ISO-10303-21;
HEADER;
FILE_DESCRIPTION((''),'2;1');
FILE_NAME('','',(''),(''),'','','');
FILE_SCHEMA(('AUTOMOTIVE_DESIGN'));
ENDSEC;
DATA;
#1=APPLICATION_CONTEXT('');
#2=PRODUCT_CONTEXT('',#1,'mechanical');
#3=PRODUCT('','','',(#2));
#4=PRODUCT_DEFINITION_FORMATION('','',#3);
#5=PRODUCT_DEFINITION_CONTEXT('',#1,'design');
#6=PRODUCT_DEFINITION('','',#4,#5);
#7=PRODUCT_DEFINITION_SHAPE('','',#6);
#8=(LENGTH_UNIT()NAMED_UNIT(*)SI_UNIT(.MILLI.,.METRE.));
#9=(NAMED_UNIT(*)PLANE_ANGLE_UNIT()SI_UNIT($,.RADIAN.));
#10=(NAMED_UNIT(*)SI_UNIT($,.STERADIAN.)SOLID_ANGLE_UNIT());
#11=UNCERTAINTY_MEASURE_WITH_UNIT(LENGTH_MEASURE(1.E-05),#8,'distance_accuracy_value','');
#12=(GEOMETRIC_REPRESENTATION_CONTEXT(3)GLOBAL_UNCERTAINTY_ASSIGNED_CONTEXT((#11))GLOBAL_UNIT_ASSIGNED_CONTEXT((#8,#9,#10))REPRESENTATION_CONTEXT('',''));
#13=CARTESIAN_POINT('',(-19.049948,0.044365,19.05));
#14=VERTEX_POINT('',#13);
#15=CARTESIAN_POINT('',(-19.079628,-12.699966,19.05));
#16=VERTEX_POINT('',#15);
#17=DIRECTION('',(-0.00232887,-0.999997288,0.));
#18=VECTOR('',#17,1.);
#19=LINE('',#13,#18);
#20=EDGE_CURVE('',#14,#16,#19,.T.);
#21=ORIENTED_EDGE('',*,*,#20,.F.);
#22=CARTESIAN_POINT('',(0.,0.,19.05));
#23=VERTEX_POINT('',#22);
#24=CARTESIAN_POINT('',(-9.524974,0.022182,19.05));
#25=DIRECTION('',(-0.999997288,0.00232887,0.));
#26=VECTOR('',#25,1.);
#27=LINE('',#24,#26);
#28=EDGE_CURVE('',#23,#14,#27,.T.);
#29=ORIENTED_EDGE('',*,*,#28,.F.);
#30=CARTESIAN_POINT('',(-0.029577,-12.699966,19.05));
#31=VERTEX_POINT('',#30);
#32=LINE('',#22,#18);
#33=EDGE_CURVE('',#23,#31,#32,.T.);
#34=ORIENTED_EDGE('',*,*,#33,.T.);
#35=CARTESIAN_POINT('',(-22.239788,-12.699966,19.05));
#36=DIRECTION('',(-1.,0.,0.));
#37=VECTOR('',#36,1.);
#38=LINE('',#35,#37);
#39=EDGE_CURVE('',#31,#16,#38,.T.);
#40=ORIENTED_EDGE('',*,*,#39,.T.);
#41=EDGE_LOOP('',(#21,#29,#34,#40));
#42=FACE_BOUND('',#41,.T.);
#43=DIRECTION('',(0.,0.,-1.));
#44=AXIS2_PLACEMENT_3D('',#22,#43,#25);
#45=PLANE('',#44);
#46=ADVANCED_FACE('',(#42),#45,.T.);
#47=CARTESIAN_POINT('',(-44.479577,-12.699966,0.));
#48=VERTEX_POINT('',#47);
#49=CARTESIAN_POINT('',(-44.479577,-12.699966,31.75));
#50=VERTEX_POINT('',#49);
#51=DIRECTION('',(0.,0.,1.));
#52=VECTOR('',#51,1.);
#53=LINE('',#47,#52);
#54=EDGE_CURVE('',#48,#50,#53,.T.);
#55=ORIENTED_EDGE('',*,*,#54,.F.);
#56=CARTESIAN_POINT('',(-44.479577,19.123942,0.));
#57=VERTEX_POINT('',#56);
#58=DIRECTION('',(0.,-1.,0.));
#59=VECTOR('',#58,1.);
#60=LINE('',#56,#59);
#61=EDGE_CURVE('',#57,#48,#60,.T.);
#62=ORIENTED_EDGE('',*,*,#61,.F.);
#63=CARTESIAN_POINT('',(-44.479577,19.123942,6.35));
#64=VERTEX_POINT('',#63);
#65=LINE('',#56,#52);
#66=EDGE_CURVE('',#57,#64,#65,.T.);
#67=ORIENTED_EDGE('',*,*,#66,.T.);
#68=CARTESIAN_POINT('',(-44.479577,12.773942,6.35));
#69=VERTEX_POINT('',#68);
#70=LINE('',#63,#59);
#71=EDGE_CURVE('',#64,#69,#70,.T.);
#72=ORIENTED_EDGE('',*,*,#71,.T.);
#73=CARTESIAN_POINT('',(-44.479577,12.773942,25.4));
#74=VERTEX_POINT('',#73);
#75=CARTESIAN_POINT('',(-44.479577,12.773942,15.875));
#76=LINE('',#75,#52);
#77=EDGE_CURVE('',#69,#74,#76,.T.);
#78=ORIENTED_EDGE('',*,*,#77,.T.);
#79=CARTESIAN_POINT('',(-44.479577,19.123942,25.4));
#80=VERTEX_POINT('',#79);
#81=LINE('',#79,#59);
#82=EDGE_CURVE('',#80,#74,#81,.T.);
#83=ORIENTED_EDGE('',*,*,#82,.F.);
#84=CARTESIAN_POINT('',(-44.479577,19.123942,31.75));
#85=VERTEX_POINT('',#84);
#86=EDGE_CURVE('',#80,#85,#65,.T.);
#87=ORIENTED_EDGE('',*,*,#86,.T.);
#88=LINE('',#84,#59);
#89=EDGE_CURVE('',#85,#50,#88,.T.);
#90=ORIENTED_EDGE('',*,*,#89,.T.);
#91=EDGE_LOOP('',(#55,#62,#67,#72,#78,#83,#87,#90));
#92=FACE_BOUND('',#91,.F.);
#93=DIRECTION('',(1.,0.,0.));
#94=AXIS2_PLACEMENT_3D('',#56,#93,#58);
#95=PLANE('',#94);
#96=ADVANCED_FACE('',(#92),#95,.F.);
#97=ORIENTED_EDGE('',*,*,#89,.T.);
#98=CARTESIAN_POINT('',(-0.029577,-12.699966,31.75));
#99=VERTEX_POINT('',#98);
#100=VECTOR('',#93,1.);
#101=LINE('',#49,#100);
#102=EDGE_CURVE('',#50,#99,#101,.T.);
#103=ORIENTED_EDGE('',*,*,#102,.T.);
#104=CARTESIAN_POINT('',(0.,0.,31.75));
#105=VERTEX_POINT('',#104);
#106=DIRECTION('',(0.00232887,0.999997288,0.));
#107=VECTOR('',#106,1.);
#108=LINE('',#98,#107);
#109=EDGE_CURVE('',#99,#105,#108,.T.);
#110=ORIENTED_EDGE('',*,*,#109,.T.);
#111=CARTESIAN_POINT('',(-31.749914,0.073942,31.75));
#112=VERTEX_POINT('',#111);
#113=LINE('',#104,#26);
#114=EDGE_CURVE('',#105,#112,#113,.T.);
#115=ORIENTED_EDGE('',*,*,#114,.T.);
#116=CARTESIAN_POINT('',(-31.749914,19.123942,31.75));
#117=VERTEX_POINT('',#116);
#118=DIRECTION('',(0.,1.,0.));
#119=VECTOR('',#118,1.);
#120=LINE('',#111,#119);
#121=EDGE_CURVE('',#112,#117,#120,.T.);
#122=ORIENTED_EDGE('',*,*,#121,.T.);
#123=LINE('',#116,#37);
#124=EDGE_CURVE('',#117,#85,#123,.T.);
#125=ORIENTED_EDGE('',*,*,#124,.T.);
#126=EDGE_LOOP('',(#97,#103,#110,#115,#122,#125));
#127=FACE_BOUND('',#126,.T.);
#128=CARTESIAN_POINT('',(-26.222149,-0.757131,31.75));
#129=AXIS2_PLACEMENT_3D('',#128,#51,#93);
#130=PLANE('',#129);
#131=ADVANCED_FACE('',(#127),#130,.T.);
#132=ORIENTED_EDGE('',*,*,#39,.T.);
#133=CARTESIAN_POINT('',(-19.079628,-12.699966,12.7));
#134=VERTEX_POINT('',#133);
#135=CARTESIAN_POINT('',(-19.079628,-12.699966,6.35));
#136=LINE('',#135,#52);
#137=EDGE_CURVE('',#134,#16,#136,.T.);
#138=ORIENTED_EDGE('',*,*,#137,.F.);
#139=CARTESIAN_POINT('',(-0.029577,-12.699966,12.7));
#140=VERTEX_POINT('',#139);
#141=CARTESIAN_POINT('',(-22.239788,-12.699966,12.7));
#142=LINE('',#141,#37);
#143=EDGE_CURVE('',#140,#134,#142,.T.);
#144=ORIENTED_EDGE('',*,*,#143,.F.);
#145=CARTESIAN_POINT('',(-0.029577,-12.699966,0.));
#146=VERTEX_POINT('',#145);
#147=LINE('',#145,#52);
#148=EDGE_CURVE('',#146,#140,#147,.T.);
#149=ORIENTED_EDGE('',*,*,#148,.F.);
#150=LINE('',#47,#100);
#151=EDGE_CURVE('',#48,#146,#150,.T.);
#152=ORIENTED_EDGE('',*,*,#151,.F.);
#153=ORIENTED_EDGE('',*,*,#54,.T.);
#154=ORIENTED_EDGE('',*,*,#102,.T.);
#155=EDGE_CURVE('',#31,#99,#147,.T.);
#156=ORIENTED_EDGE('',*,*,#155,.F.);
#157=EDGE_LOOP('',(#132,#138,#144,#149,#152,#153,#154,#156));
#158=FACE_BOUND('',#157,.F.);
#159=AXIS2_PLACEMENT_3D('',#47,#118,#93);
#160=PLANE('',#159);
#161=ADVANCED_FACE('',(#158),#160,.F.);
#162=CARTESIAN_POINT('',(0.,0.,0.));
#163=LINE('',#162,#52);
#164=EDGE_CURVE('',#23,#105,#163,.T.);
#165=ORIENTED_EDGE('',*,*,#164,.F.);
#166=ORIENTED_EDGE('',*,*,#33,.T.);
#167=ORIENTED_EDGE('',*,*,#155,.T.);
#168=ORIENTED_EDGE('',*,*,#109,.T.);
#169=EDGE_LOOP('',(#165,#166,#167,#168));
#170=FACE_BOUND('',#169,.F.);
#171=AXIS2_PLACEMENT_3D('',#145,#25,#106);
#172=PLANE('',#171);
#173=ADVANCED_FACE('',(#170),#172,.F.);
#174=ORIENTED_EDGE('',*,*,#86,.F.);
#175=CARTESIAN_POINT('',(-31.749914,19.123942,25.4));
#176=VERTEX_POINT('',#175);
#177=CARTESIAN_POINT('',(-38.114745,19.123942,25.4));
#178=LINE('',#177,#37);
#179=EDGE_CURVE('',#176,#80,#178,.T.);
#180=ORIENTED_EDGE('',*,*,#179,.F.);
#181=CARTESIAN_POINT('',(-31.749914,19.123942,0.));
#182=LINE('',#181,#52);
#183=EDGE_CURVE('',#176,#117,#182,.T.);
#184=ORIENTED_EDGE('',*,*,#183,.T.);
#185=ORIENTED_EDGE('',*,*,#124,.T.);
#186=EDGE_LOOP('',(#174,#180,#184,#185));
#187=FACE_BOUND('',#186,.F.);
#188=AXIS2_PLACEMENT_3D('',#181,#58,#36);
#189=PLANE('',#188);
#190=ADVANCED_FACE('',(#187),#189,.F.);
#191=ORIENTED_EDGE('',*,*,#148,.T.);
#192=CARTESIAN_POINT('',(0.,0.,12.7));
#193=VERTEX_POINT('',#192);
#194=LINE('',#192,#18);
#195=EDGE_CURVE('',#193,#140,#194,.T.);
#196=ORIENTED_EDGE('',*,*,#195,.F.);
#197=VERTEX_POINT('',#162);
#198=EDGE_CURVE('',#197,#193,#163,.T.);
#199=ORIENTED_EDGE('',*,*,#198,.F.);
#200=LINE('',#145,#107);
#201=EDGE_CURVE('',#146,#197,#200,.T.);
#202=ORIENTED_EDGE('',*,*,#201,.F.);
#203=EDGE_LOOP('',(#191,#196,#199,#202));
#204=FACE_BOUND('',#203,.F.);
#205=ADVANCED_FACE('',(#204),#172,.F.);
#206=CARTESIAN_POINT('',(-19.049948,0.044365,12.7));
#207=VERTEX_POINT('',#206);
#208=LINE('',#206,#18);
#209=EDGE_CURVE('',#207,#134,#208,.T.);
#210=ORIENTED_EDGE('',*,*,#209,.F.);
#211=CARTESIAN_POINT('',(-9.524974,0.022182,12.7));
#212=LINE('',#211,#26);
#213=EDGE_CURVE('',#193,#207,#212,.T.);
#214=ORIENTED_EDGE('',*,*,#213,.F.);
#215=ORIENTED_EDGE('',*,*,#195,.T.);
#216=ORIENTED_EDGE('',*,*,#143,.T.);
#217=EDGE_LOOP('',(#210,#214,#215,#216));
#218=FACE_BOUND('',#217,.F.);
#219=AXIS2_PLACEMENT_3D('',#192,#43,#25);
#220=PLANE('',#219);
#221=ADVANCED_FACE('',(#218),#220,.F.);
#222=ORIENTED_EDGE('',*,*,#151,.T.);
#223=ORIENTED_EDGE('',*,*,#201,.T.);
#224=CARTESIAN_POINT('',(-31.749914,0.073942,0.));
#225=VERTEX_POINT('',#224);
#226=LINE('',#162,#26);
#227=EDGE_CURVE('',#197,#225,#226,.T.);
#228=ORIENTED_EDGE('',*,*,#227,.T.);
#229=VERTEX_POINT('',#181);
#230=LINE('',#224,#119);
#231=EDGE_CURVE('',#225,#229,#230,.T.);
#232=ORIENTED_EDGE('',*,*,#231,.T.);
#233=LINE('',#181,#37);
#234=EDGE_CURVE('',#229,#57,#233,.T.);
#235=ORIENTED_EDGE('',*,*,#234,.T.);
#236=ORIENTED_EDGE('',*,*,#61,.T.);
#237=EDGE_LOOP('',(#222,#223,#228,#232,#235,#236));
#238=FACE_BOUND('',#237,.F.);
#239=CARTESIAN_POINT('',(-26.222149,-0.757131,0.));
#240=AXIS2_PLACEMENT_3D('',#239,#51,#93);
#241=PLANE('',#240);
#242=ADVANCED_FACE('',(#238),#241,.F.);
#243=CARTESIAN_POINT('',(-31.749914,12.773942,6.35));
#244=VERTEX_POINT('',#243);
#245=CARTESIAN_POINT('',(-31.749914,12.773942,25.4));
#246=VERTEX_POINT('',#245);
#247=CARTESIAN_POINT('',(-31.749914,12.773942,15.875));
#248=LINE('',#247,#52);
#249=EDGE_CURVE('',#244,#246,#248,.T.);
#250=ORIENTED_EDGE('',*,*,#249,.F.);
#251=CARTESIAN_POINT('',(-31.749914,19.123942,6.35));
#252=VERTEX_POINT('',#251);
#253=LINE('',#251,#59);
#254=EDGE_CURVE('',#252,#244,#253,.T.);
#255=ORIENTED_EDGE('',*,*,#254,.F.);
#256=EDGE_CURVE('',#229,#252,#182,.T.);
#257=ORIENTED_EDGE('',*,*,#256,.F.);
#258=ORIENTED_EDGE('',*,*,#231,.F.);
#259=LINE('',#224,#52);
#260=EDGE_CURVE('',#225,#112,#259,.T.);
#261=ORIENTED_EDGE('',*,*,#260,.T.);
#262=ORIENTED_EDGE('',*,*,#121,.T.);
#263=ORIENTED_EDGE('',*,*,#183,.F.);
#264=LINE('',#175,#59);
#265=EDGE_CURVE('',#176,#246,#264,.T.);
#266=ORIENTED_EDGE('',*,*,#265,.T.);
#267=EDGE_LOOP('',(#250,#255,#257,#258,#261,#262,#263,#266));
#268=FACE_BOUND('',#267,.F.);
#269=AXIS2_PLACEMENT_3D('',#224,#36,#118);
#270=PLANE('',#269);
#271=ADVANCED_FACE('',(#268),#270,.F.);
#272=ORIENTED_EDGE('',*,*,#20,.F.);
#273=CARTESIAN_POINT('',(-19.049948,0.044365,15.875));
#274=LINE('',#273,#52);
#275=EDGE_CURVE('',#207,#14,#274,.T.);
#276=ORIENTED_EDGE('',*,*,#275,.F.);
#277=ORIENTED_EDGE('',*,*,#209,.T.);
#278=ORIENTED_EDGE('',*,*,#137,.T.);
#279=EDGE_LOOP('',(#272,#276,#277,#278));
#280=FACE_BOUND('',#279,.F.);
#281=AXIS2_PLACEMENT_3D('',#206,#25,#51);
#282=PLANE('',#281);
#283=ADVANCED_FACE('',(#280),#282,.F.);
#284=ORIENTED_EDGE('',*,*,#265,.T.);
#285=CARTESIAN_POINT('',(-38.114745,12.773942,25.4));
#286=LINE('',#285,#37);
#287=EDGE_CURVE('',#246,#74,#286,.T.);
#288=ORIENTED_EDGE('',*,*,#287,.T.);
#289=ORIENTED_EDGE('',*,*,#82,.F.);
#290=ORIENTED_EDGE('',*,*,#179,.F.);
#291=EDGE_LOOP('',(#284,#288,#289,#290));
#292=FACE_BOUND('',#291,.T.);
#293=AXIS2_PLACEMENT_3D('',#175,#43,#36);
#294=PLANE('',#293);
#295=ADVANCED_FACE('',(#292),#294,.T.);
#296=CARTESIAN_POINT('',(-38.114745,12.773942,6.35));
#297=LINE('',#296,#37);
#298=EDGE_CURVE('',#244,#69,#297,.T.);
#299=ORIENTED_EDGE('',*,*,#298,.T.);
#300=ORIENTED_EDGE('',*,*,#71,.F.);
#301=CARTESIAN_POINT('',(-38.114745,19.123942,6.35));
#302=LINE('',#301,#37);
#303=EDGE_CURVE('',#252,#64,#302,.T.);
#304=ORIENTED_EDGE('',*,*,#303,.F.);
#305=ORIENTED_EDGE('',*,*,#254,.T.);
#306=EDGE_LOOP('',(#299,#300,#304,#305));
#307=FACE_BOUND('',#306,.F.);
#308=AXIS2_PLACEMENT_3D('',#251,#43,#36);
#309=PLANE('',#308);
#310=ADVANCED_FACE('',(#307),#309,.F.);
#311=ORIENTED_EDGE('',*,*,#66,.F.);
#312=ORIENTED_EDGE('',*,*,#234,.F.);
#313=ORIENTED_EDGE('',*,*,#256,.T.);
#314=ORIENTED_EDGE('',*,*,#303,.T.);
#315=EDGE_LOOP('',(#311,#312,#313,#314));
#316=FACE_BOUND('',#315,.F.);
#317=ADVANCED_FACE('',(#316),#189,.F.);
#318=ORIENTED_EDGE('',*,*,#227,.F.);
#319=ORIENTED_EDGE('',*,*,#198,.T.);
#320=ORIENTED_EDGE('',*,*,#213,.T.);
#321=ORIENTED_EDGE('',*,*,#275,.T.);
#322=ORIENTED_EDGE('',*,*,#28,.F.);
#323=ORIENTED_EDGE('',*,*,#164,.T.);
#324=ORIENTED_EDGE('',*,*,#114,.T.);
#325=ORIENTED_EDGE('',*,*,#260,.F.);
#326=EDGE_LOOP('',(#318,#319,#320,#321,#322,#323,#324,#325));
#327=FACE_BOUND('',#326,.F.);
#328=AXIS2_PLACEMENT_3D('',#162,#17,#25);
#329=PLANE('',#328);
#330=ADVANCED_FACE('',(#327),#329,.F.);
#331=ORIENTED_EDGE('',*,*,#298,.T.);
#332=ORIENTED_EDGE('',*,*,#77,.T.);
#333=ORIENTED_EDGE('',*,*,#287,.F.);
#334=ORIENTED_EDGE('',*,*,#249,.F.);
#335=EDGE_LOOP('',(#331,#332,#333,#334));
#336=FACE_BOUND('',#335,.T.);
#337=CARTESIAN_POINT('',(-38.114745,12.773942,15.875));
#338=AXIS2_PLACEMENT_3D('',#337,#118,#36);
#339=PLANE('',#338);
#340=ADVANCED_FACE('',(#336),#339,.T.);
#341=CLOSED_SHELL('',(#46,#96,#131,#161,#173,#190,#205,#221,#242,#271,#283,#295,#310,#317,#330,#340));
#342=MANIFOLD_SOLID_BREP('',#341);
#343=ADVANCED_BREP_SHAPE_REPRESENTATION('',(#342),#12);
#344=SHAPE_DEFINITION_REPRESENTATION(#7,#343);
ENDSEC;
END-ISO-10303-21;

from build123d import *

# Parameters (mm, degrees)
F1_DEPTH = 31.75
F2_W     = 12.7296627492
F2_H     = 19.05
F3_DEPTH = 6.35
F4_W     = 19.05
F4_H     = 6.35
F5_DEPTH = 14.4526


with BuildPart() as f1:
    # F0 (on Top) → F1 (new body)
    with BuildSketch(Plane.XY):
        Polygon((-31.7499138997, 0.0739416222), (-31.7499138997, 19.1239416222), (-44.4795766489, 19.1239416222), (-44.4795766489, -12.6999655599), (-0.0295766489, -12.6999655599), (0, 0), align=None)
    extrude(amount=F1_DEPTH)

    # F2 (on face) → F3 (cut)
    with BuildSketch(Plane(origin=(0, 19.1239416222, 0), x_dir=(-1, 0, 0), z_dir=(0, 1, 0))):
        with Locations((38.1147452743, 15.875)):
            Rectangle(F2_W, F2_H)
    extrude(amount=-F3_DEPTH, mode=Mode.SUBTRACT)

    # F4 (on face) → F5 (cut)
    with BuildSketch(Plane(origin=(0, 0, 0), x_dir=(-0.9999972882, 0.00232887, 0), z_dir=(0.00232887, 0.9999972882, 0))):
        with Locations((9.525, 15.875)):
            Rectangle(F4_W, F4_H)
    extrude(amount=-F5_DEPTH, mode=Mode.SUBTRACT)


solid = f1.part
